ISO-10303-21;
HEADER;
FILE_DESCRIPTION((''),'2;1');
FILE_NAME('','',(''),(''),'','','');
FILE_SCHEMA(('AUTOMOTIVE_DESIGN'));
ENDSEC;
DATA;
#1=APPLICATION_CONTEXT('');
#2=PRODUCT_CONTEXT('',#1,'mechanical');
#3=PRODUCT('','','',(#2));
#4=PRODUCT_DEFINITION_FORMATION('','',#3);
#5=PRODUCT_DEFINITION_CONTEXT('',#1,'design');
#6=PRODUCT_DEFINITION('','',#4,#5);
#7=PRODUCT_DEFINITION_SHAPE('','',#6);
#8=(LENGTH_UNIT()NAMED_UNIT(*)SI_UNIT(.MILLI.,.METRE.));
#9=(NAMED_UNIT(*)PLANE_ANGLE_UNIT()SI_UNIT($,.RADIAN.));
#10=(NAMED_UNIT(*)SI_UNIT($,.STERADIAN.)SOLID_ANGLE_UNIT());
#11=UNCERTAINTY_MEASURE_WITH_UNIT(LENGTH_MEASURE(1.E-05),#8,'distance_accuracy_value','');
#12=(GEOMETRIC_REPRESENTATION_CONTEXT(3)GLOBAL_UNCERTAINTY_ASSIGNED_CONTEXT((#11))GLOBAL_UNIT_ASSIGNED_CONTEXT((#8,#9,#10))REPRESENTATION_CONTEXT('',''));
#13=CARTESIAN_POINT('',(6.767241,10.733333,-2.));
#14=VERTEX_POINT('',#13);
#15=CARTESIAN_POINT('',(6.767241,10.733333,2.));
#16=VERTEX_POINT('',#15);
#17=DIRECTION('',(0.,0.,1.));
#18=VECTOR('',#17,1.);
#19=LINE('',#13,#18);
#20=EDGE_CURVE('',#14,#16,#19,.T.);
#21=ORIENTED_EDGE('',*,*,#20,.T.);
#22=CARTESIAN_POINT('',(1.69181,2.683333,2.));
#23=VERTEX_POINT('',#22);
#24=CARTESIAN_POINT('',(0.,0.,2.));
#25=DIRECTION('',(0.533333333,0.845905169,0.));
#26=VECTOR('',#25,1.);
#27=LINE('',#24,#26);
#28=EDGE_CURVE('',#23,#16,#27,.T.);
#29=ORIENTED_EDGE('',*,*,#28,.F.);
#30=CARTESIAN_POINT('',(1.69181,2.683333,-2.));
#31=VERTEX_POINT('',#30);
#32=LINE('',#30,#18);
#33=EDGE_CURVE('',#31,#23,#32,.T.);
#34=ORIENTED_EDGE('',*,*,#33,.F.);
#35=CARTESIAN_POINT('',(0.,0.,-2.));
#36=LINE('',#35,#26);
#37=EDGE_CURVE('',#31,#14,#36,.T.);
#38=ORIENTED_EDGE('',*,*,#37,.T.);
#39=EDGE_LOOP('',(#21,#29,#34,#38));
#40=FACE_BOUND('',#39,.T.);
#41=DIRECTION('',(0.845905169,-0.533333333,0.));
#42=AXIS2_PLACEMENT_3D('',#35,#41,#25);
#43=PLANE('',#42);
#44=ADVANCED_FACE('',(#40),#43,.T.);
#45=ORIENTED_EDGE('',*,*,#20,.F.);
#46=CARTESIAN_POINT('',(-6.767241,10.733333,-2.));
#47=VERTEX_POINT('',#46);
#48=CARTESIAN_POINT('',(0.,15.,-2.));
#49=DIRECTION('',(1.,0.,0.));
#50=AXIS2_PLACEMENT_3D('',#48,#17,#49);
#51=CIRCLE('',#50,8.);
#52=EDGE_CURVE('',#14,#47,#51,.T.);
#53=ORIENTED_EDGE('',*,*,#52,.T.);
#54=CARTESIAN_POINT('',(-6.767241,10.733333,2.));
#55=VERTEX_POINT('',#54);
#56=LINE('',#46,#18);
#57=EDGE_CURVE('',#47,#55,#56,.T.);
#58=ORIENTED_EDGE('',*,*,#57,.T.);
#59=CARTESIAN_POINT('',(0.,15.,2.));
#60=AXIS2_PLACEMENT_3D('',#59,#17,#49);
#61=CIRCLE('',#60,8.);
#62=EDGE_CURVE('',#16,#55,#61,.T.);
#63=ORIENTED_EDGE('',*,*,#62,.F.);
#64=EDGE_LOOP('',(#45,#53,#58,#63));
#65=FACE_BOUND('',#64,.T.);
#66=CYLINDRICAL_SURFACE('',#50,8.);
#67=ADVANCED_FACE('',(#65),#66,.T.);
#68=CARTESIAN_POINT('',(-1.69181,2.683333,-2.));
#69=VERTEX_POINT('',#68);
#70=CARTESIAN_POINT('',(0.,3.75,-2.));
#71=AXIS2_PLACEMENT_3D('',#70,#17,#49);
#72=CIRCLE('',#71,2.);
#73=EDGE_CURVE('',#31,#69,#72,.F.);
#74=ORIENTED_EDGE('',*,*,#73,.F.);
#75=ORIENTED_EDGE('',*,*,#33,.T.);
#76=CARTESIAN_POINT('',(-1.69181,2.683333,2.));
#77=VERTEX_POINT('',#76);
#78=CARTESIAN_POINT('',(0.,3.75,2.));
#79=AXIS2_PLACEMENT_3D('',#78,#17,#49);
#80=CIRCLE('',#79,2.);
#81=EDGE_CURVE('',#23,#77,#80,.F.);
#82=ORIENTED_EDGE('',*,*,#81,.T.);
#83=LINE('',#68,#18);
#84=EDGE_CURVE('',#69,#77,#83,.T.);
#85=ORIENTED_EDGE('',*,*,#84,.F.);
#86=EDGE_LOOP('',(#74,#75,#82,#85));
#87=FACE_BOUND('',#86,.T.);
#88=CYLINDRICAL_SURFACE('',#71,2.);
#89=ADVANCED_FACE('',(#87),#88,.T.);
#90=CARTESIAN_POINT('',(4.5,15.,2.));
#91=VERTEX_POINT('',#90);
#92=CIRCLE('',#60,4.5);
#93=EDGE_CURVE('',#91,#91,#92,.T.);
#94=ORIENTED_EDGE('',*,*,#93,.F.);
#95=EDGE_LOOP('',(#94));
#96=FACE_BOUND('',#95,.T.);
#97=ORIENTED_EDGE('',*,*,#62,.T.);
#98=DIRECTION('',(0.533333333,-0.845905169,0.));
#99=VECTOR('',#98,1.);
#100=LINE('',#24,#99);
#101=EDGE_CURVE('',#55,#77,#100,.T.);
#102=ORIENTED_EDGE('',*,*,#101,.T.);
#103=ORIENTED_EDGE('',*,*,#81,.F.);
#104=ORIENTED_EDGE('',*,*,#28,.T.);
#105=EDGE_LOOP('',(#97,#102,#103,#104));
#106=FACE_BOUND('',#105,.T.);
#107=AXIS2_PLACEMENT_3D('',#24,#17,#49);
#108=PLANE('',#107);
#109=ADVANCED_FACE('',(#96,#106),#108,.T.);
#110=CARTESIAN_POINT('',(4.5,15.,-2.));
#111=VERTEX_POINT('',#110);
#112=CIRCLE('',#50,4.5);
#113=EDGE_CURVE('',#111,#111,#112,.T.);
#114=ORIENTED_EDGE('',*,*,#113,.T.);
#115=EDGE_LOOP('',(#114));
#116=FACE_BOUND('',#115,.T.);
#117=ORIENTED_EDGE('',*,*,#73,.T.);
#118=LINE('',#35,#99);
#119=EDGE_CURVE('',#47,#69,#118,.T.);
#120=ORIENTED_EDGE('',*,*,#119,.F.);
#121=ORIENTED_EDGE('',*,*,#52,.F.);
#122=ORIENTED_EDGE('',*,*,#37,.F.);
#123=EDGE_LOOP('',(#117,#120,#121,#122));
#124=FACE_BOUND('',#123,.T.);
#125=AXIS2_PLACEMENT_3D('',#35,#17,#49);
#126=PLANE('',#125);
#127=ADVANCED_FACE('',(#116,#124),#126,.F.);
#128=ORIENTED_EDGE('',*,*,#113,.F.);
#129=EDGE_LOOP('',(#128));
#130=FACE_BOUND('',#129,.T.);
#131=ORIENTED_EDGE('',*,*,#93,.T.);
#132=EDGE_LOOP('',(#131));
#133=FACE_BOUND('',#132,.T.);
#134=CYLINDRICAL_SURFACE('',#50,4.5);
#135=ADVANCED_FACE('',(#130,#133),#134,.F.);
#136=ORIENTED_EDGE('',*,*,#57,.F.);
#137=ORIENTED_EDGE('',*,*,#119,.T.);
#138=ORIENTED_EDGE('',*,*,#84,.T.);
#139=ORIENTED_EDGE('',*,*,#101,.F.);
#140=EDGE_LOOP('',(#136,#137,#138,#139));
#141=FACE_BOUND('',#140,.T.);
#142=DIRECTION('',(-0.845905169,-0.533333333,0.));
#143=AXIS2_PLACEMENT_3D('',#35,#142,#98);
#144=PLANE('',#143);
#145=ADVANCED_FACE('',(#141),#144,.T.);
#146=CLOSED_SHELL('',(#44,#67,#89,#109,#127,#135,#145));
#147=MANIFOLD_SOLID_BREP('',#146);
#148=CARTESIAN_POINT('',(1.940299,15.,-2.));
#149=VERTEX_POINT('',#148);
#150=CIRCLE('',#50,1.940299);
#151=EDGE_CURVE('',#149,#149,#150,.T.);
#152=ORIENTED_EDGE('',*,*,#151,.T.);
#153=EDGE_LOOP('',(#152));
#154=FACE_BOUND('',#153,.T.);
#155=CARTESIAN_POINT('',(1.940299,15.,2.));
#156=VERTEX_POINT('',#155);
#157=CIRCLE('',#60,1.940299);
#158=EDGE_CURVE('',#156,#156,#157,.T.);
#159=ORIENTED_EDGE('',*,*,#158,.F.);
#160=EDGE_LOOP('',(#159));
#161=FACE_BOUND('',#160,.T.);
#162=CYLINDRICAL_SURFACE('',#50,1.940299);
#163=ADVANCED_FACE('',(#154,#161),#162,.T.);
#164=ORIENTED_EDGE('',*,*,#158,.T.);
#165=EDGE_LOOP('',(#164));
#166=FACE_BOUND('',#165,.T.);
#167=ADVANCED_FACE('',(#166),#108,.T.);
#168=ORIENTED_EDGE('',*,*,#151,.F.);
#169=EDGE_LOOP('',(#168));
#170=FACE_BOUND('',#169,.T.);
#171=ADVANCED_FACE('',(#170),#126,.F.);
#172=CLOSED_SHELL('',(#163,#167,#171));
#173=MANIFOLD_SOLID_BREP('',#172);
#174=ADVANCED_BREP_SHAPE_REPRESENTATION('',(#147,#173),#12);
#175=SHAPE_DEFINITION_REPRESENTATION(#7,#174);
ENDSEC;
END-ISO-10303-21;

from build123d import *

# Parameters (mm, degrees)
EXTRUDE_1_DEPTH        = 2
EXTRUDE_1_DEPTH_BACK   = 2
SKETCH_2_R             = 4.5
EXTRUDE_1_2_DEPTH      = 2
EXTRUDE_1_2_DEPTH_BACK = 2
SKETCH_2_R_2           = 1.940299118


with BuildPart() as part:
    # 草圖2 → 填料-伸長1 (new, two sides: drawn at the far end of the back side and taken through both)
    with BuildSketch(Plane.XY.offset(-EXTRUDE_1_DEPTH_BACK)):
        with BuildLine():
            ThreePointArc((6.767241355, 10.733333333), (0, 23), (-6.767241355, 10.733333333))
            Line((-6.767241355, 10.733333333), (-1.691810339, 2.683333333))
            ThreePointArc((-1.691810339, 2.683333333), (0, 1.75), (1.691810339, 2.683333333))
            Line((1.691810339, 2.683333333), (6.767241355, 10.733333333))
        make_face()
        with Locations((0, 15)):
            Circle(SKETCH_2_R, mode=Mode.SUBTRACT)
    extrude(amount=EXTRUDE_1_DEPTH + EXTRUDE_1_DEPTH_BACK)


with BuildPart() as body_2:
    # 草圖2 → Extrude 1 2 (new, two sides: drawn at the far end of the back side and taken through both)
    with BuildSketch(Plane.XY.offset(-EXTRUDE_1_2_DEPTH_BACK)):
        with Locations((0, 15)):
            Circle(SKETCH_2_R_2)
    extrude(amount=EXTRUDE_1_2_DEPTH + EXTRUDE_1_2_DEPTH_BACK)


solid = Compound([part.part, body_2.part])
